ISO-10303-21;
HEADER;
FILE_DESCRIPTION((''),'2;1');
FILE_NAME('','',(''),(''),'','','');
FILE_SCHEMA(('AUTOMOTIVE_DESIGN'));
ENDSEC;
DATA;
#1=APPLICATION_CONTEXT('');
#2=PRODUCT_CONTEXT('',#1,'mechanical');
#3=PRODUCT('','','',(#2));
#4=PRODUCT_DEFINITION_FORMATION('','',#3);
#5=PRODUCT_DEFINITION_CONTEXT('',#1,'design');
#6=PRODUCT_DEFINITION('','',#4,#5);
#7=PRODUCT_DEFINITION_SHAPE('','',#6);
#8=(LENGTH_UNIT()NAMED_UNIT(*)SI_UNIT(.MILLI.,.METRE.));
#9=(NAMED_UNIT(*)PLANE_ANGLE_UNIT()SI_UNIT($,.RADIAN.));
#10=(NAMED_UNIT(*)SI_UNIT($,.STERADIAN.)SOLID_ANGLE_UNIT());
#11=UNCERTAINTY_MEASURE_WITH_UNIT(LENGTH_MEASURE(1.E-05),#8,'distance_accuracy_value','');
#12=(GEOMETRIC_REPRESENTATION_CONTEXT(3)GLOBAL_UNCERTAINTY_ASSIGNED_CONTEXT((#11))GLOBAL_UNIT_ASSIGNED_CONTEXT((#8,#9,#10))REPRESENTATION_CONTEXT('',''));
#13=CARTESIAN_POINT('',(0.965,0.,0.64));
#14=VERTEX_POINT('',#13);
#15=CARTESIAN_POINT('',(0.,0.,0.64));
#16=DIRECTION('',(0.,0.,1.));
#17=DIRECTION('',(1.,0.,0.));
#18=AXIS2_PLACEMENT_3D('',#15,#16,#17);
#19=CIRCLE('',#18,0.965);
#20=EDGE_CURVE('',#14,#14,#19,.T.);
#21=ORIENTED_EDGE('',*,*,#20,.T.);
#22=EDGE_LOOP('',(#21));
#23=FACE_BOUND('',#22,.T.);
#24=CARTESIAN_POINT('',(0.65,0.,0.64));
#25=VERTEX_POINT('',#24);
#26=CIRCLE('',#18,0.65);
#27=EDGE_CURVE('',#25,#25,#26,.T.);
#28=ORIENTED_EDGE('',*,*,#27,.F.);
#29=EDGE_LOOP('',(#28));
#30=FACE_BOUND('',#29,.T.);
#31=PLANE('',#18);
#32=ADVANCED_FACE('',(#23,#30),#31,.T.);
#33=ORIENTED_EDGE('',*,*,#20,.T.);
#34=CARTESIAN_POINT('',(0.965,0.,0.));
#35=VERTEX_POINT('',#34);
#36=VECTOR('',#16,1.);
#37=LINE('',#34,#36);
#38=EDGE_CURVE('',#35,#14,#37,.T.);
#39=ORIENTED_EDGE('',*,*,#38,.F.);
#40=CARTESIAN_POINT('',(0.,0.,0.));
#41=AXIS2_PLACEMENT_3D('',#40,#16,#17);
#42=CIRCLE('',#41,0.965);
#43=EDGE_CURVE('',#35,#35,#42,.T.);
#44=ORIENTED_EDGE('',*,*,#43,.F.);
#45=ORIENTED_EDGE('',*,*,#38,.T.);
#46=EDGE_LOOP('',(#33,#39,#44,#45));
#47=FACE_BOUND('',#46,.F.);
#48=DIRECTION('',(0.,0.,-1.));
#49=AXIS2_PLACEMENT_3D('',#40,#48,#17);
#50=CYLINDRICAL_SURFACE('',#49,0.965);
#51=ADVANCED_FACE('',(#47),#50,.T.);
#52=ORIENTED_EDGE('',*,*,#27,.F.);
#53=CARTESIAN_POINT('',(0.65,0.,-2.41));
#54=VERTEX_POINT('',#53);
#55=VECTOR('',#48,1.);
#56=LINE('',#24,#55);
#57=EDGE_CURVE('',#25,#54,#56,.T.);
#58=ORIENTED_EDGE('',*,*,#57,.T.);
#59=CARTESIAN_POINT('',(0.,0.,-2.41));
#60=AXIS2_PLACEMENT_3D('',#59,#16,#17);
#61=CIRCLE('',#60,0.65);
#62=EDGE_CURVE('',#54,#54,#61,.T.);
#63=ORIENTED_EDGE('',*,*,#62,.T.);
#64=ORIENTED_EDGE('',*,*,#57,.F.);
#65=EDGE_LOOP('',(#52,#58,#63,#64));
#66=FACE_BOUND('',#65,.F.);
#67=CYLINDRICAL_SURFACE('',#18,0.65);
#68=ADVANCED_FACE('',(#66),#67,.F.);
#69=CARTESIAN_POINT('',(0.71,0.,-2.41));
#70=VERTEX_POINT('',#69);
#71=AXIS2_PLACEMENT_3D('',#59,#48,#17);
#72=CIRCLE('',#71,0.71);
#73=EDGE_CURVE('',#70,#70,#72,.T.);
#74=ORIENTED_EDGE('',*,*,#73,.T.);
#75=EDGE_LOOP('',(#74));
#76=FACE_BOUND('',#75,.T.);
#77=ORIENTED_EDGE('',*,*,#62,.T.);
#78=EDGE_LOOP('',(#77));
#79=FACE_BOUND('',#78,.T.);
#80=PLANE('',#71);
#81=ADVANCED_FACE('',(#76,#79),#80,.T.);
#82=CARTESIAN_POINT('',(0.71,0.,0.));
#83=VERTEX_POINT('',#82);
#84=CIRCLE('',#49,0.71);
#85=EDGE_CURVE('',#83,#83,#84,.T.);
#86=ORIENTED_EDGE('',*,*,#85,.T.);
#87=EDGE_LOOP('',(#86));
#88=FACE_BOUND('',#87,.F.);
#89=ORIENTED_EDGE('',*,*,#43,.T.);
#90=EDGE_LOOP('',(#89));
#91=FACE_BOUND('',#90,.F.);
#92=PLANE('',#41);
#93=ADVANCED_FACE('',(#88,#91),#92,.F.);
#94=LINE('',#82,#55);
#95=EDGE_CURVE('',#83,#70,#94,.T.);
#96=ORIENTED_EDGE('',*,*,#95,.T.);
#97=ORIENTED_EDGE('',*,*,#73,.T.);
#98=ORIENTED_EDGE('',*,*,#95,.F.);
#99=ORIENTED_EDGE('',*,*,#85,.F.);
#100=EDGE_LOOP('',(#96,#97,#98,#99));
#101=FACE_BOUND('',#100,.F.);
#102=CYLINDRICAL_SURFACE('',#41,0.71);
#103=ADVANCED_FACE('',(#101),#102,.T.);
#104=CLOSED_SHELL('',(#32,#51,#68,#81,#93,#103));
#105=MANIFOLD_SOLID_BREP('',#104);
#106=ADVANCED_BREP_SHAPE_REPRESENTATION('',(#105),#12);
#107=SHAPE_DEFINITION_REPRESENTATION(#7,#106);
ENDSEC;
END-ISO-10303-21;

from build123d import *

# Parameters (mm, degrees)
SKETCH_R     = 0.965
PAD_DEPTH    = 0.64
SKETCH001_R  = 0.71
PAD001_DEPTH = 2.41
SKETCH002_R  = 0.65
POCKET_DEPTH = 3.051


with BuildPart() as part:
    # Sketch → Pad (new body)
    with BuildSketch(Plane.XY):
        Circle(SKETCH_R)
    extrude(amount=PAD_DEPTH)

    # Sketch001 (on Face2 of Pad) → Pad001 (join)
    with BuildSketch(Plane(origin=(0, 0, 0), x_dir=(1, 0, 0), z_dir=(0, 0, -1))):
        Circle(SKETCH001_R)
    extrude(amount=PAD001_DEPTH)

    # Sketch002 (on Face3 of Pad001) → Pocket (cut, through all)
    with BuildSketch(Plane.XY.offset(0.64)):
        Circle(SKETCH002_R)
    extrude(amount=-POCKET_DEPTH, mode=Mode.SUBTRACT)


solid = part.part
